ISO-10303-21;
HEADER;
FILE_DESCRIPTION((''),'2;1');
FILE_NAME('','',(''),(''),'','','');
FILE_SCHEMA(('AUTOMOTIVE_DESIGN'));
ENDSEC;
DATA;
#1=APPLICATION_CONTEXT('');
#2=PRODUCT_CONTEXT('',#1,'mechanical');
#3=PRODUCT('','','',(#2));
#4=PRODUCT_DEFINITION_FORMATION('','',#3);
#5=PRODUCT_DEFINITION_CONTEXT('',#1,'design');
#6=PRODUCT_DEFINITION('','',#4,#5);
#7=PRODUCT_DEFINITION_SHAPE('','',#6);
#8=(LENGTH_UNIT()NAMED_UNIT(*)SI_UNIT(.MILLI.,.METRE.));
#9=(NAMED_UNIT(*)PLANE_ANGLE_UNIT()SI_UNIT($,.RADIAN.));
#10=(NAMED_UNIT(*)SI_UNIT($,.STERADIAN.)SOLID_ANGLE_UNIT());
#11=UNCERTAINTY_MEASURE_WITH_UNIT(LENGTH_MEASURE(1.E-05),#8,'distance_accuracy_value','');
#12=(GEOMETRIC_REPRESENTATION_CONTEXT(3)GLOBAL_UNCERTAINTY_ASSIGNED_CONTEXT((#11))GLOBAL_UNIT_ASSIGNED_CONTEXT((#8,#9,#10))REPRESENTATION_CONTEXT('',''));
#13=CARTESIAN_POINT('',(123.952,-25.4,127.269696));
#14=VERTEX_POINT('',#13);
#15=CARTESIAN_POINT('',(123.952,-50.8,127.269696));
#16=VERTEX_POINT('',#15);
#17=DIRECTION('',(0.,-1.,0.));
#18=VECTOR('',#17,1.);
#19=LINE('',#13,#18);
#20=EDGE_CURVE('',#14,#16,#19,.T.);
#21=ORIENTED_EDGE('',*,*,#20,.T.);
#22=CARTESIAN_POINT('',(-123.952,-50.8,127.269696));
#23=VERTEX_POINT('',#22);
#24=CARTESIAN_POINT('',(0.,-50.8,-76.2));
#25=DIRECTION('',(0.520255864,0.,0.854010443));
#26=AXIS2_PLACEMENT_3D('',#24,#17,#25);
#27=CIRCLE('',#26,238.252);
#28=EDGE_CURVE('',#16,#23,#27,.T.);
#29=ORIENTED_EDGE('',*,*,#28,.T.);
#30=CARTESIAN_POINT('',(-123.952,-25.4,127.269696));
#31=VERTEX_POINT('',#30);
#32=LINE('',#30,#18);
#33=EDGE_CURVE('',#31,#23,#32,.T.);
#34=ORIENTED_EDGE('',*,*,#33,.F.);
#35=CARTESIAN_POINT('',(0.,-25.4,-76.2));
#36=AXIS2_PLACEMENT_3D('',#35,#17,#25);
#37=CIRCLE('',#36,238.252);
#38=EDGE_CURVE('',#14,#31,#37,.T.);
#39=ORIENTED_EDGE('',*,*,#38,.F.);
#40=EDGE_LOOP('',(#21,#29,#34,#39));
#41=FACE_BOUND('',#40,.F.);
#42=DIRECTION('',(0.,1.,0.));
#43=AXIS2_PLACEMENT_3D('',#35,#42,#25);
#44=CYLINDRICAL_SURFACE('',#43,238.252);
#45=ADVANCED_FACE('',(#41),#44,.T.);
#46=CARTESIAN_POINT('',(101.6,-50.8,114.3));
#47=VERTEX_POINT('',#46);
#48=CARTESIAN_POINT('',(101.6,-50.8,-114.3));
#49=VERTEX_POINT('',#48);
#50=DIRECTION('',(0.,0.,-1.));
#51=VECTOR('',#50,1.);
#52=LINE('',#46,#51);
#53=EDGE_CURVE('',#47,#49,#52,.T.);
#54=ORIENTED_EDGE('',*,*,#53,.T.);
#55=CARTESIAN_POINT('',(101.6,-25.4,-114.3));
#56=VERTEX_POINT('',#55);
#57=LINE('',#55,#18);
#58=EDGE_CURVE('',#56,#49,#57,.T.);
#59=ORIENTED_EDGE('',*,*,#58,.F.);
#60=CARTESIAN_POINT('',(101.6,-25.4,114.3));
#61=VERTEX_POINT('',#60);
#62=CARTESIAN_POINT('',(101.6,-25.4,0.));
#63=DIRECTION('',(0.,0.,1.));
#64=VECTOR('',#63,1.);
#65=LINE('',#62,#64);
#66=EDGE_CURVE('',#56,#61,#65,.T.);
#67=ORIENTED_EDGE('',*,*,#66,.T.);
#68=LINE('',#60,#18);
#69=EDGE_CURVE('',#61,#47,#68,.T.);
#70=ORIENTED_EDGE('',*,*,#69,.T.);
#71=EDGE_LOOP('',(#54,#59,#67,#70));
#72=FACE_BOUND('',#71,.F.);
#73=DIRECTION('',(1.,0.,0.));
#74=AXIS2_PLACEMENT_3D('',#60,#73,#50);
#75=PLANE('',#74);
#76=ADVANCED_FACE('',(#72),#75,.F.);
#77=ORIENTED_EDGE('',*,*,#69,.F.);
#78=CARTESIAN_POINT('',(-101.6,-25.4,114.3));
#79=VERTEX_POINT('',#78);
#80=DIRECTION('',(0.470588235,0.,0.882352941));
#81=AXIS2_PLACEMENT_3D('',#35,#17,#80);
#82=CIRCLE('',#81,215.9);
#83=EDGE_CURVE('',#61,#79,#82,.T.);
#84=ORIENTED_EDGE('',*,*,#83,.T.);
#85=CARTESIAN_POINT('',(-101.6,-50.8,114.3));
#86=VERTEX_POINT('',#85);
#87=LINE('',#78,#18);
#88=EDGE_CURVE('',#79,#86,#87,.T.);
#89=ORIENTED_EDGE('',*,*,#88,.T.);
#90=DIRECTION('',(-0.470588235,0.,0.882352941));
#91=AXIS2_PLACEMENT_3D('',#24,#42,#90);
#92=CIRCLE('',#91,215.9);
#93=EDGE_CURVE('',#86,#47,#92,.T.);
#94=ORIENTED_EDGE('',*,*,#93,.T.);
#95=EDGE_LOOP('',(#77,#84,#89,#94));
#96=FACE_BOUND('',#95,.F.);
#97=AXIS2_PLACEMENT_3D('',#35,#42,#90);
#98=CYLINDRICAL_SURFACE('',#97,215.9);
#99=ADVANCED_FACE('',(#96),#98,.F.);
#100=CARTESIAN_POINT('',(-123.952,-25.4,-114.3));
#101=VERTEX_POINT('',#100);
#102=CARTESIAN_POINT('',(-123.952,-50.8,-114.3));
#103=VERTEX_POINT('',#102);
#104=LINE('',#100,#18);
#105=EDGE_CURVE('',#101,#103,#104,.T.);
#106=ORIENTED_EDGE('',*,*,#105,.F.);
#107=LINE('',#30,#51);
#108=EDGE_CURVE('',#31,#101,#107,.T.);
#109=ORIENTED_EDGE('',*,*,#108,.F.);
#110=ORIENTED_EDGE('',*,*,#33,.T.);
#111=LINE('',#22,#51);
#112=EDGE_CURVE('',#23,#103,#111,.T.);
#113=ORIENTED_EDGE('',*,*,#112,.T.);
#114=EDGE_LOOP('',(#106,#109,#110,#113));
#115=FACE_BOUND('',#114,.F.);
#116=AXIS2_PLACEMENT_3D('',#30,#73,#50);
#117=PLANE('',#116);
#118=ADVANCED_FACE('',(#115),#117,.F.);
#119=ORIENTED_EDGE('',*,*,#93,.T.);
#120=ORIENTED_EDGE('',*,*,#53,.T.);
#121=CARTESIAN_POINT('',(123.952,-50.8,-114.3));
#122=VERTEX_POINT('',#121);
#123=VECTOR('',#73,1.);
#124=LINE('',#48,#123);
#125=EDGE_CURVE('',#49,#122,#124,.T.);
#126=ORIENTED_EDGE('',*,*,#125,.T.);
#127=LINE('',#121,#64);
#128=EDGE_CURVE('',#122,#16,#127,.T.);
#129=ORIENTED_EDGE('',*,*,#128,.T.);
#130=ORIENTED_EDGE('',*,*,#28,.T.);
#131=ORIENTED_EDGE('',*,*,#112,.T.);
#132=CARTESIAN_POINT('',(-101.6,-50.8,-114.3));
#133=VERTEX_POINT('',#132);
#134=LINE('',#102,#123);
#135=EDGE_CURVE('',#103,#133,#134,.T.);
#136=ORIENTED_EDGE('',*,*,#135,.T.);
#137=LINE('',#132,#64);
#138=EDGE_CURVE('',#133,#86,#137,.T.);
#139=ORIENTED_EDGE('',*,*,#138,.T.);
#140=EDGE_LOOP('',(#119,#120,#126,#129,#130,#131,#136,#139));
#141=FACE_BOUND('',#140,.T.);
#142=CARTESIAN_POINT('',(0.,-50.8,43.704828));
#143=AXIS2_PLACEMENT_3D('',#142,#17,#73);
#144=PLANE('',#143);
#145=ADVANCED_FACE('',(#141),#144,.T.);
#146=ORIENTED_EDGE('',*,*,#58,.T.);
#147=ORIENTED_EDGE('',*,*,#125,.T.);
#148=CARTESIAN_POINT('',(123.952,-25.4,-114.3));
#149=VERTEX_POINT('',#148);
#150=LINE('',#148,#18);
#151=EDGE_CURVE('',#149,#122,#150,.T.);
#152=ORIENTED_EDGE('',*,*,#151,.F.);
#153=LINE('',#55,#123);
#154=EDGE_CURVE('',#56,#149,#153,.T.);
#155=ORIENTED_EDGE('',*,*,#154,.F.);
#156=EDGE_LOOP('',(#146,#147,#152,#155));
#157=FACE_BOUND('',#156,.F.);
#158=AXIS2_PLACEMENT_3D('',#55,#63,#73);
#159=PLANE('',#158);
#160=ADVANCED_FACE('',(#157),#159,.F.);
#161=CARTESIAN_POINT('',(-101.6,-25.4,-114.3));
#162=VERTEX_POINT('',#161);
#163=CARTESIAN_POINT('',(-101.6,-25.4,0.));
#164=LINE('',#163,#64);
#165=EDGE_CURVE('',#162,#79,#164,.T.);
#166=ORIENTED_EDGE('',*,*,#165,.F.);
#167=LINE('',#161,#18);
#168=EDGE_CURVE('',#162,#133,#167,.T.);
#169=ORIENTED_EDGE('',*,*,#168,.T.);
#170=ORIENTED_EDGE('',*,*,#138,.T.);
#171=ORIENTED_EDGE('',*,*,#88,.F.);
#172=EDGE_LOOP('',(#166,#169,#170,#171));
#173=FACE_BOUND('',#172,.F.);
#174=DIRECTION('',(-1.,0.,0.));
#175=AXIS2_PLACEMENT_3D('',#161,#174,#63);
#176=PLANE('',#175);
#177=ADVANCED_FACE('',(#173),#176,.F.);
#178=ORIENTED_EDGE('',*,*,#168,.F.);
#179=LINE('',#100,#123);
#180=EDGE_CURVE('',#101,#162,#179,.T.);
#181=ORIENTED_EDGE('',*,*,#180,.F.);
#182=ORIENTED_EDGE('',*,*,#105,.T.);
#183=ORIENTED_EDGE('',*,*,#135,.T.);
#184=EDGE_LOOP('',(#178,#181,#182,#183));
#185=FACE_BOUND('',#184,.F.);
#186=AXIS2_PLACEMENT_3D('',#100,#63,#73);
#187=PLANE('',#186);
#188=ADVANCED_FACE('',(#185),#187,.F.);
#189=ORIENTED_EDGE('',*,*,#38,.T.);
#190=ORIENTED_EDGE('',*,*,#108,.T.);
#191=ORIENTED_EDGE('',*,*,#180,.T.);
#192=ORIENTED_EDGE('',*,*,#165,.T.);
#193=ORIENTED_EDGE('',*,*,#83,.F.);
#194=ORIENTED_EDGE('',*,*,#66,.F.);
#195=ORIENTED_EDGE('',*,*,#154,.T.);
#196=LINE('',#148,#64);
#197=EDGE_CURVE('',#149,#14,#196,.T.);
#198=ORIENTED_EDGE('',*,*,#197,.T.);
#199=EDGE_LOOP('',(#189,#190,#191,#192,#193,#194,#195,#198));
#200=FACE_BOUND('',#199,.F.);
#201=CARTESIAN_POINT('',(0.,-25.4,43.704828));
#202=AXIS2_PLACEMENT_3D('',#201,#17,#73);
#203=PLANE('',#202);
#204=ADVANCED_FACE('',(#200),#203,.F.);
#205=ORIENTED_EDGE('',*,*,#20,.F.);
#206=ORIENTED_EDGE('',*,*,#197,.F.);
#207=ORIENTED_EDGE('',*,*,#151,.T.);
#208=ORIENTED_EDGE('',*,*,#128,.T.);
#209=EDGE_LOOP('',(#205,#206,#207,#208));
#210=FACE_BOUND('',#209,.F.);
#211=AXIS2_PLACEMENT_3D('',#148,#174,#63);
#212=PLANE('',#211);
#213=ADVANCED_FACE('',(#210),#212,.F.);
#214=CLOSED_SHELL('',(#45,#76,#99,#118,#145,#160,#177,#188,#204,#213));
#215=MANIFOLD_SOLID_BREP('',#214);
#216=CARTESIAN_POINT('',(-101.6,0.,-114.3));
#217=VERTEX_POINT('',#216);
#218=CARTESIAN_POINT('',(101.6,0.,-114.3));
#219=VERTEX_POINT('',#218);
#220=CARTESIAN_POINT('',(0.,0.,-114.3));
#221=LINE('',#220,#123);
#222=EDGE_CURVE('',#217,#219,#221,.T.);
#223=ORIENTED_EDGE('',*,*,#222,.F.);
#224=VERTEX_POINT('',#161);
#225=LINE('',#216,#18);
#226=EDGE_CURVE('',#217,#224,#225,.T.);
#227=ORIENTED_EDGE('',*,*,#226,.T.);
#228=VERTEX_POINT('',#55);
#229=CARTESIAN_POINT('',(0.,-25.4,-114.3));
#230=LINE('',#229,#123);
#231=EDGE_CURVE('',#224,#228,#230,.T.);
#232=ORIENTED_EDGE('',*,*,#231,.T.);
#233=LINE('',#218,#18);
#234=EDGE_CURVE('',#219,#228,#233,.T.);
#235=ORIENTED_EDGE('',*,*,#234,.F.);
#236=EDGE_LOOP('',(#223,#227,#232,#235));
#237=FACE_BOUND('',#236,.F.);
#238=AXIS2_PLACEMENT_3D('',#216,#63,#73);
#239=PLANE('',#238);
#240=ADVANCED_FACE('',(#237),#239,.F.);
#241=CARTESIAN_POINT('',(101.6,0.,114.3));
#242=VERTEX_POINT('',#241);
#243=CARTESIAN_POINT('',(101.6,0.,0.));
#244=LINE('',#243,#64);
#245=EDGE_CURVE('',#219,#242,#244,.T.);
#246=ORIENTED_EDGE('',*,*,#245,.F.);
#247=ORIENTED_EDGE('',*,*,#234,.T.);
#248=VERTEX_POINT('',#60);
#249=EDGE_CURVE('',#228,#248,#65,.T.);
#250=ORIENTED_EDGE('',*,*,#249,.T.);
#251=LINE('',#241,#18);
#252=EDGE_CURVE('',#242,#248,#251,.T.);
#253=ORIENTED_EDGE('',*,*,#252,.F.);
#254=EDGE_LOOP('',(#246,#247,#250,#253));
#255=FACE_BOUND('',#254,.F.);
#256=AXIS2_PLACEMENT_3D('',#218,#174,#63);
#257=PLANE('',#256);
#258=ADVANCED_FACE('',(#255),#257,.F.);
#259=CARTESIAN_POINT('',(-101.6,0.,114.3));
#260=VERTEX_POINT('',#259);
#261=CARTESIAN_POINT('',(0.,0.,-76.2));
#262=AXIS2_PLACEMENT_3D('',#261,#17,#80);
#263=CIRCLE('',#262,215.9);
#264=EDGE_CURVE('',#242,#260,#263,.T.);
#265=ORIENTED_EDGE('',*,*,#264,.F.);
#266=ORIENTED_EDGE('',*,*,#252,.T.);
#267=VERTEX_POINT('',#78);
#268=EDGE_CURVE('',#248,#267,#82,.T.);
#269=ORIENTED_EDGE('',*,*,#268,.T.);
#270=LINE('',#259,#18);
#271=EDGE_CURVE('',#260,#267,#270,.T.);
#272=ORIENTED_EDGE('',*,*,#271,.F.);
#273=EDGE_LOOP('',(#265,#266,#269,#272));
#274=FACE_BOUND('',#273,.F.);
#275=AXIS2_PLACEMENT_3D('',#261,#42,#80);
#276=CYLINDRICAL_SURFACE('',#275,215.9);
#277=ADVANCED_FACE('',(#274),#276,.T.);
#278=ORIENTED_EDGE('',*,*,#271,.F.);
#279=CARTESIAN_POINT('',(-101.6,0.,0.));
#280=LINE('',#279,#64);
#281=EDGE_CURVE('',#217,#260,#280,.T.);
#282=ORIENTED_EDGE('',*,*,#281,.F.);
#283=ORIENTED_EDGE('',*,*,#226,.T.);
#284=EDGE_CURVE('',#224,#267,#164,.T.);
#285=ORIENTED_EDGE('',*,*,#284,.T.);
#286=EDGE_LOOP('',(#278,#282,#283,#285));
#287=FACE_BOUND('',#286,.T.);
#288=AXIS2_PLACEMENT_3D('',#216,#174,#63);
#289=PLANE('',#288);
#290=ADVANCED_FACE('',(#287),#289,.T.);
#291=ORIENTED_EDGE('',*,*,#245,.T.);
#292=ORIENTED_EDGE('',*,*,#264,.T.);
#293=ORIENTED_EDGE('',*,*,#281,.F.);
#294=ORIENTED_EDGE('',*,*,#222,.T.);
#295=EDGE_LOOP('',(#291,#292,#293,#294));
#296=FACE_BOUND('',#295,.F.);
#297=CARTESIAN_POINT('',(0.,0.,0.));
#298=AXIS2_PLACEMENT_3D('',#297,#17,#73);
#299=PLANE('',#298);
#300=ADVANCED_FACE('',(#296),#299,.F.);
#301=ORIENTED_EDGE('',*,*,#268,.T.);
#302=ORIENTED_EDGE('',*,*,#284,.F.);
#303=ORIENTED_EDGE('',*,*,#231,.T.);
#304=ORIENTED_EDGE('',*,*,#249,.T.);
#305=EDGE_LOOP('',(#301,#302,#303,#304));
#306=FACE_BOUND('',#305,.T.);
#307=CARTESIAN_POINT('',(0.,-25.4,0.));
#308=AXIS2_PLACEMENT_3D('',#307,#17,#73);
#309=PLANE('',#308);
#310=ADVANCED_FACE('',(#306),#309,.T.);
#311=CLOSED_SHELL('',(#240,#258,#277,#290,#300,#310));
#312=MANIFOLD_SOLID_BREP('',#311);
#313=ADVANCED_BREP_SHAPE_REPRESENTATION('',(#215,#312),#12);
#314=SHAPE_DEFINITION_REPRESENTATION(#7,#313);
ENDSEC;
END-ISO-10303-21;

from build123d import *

# Parameters (mm, degrees)
F0_W     = 203.2
F0_H     = 228.6
F1_DEPTH = 25.4
F3_DEPTH = 25.4


with BuildPart() as f1:
    # F0 (on Front) → F1 (new body)
    with BuildSketch(Plane.XZ):
        Rectangle(F0_W, F0_H)
        with BuildLine():
            Line((-101.6, 114.3), (101.6, 114.3))
            ThreePointArc((101.6, 114.3), (0, 139.7), (-101.6, 114.3))
        make_face()
    extrude(amount=F1_DEPTH)

    # F2 (on face) → F3 (join)
    with BuildSketch(Plane.XZ.offset(25.4)):
        with BuildLine():
            ThreePointArc((123.952, 127.269696), (0, 162.052), (-123.952, 127.269696))
            Line((-123.952, 127.269696), (-123.952, -114.3))
            Line((-123.952, -114.3), (-101.6, -114.3))
            Line((-101.6, -114.3), (-101.6, 114.3))
            ThreePointArc((-101.6, 114.3), (0, 139.7), (101.6, 114.3))
            Line((101.6, 114.3), (101.6, -114.3))
            Line((101.6, -114.3), (123.952, -114.3))
            Line((123.952, -114.3), (123.952, 127.269696))
        make_face()
    extrude(amount=F3_DEPTH)


solid = f1.part
